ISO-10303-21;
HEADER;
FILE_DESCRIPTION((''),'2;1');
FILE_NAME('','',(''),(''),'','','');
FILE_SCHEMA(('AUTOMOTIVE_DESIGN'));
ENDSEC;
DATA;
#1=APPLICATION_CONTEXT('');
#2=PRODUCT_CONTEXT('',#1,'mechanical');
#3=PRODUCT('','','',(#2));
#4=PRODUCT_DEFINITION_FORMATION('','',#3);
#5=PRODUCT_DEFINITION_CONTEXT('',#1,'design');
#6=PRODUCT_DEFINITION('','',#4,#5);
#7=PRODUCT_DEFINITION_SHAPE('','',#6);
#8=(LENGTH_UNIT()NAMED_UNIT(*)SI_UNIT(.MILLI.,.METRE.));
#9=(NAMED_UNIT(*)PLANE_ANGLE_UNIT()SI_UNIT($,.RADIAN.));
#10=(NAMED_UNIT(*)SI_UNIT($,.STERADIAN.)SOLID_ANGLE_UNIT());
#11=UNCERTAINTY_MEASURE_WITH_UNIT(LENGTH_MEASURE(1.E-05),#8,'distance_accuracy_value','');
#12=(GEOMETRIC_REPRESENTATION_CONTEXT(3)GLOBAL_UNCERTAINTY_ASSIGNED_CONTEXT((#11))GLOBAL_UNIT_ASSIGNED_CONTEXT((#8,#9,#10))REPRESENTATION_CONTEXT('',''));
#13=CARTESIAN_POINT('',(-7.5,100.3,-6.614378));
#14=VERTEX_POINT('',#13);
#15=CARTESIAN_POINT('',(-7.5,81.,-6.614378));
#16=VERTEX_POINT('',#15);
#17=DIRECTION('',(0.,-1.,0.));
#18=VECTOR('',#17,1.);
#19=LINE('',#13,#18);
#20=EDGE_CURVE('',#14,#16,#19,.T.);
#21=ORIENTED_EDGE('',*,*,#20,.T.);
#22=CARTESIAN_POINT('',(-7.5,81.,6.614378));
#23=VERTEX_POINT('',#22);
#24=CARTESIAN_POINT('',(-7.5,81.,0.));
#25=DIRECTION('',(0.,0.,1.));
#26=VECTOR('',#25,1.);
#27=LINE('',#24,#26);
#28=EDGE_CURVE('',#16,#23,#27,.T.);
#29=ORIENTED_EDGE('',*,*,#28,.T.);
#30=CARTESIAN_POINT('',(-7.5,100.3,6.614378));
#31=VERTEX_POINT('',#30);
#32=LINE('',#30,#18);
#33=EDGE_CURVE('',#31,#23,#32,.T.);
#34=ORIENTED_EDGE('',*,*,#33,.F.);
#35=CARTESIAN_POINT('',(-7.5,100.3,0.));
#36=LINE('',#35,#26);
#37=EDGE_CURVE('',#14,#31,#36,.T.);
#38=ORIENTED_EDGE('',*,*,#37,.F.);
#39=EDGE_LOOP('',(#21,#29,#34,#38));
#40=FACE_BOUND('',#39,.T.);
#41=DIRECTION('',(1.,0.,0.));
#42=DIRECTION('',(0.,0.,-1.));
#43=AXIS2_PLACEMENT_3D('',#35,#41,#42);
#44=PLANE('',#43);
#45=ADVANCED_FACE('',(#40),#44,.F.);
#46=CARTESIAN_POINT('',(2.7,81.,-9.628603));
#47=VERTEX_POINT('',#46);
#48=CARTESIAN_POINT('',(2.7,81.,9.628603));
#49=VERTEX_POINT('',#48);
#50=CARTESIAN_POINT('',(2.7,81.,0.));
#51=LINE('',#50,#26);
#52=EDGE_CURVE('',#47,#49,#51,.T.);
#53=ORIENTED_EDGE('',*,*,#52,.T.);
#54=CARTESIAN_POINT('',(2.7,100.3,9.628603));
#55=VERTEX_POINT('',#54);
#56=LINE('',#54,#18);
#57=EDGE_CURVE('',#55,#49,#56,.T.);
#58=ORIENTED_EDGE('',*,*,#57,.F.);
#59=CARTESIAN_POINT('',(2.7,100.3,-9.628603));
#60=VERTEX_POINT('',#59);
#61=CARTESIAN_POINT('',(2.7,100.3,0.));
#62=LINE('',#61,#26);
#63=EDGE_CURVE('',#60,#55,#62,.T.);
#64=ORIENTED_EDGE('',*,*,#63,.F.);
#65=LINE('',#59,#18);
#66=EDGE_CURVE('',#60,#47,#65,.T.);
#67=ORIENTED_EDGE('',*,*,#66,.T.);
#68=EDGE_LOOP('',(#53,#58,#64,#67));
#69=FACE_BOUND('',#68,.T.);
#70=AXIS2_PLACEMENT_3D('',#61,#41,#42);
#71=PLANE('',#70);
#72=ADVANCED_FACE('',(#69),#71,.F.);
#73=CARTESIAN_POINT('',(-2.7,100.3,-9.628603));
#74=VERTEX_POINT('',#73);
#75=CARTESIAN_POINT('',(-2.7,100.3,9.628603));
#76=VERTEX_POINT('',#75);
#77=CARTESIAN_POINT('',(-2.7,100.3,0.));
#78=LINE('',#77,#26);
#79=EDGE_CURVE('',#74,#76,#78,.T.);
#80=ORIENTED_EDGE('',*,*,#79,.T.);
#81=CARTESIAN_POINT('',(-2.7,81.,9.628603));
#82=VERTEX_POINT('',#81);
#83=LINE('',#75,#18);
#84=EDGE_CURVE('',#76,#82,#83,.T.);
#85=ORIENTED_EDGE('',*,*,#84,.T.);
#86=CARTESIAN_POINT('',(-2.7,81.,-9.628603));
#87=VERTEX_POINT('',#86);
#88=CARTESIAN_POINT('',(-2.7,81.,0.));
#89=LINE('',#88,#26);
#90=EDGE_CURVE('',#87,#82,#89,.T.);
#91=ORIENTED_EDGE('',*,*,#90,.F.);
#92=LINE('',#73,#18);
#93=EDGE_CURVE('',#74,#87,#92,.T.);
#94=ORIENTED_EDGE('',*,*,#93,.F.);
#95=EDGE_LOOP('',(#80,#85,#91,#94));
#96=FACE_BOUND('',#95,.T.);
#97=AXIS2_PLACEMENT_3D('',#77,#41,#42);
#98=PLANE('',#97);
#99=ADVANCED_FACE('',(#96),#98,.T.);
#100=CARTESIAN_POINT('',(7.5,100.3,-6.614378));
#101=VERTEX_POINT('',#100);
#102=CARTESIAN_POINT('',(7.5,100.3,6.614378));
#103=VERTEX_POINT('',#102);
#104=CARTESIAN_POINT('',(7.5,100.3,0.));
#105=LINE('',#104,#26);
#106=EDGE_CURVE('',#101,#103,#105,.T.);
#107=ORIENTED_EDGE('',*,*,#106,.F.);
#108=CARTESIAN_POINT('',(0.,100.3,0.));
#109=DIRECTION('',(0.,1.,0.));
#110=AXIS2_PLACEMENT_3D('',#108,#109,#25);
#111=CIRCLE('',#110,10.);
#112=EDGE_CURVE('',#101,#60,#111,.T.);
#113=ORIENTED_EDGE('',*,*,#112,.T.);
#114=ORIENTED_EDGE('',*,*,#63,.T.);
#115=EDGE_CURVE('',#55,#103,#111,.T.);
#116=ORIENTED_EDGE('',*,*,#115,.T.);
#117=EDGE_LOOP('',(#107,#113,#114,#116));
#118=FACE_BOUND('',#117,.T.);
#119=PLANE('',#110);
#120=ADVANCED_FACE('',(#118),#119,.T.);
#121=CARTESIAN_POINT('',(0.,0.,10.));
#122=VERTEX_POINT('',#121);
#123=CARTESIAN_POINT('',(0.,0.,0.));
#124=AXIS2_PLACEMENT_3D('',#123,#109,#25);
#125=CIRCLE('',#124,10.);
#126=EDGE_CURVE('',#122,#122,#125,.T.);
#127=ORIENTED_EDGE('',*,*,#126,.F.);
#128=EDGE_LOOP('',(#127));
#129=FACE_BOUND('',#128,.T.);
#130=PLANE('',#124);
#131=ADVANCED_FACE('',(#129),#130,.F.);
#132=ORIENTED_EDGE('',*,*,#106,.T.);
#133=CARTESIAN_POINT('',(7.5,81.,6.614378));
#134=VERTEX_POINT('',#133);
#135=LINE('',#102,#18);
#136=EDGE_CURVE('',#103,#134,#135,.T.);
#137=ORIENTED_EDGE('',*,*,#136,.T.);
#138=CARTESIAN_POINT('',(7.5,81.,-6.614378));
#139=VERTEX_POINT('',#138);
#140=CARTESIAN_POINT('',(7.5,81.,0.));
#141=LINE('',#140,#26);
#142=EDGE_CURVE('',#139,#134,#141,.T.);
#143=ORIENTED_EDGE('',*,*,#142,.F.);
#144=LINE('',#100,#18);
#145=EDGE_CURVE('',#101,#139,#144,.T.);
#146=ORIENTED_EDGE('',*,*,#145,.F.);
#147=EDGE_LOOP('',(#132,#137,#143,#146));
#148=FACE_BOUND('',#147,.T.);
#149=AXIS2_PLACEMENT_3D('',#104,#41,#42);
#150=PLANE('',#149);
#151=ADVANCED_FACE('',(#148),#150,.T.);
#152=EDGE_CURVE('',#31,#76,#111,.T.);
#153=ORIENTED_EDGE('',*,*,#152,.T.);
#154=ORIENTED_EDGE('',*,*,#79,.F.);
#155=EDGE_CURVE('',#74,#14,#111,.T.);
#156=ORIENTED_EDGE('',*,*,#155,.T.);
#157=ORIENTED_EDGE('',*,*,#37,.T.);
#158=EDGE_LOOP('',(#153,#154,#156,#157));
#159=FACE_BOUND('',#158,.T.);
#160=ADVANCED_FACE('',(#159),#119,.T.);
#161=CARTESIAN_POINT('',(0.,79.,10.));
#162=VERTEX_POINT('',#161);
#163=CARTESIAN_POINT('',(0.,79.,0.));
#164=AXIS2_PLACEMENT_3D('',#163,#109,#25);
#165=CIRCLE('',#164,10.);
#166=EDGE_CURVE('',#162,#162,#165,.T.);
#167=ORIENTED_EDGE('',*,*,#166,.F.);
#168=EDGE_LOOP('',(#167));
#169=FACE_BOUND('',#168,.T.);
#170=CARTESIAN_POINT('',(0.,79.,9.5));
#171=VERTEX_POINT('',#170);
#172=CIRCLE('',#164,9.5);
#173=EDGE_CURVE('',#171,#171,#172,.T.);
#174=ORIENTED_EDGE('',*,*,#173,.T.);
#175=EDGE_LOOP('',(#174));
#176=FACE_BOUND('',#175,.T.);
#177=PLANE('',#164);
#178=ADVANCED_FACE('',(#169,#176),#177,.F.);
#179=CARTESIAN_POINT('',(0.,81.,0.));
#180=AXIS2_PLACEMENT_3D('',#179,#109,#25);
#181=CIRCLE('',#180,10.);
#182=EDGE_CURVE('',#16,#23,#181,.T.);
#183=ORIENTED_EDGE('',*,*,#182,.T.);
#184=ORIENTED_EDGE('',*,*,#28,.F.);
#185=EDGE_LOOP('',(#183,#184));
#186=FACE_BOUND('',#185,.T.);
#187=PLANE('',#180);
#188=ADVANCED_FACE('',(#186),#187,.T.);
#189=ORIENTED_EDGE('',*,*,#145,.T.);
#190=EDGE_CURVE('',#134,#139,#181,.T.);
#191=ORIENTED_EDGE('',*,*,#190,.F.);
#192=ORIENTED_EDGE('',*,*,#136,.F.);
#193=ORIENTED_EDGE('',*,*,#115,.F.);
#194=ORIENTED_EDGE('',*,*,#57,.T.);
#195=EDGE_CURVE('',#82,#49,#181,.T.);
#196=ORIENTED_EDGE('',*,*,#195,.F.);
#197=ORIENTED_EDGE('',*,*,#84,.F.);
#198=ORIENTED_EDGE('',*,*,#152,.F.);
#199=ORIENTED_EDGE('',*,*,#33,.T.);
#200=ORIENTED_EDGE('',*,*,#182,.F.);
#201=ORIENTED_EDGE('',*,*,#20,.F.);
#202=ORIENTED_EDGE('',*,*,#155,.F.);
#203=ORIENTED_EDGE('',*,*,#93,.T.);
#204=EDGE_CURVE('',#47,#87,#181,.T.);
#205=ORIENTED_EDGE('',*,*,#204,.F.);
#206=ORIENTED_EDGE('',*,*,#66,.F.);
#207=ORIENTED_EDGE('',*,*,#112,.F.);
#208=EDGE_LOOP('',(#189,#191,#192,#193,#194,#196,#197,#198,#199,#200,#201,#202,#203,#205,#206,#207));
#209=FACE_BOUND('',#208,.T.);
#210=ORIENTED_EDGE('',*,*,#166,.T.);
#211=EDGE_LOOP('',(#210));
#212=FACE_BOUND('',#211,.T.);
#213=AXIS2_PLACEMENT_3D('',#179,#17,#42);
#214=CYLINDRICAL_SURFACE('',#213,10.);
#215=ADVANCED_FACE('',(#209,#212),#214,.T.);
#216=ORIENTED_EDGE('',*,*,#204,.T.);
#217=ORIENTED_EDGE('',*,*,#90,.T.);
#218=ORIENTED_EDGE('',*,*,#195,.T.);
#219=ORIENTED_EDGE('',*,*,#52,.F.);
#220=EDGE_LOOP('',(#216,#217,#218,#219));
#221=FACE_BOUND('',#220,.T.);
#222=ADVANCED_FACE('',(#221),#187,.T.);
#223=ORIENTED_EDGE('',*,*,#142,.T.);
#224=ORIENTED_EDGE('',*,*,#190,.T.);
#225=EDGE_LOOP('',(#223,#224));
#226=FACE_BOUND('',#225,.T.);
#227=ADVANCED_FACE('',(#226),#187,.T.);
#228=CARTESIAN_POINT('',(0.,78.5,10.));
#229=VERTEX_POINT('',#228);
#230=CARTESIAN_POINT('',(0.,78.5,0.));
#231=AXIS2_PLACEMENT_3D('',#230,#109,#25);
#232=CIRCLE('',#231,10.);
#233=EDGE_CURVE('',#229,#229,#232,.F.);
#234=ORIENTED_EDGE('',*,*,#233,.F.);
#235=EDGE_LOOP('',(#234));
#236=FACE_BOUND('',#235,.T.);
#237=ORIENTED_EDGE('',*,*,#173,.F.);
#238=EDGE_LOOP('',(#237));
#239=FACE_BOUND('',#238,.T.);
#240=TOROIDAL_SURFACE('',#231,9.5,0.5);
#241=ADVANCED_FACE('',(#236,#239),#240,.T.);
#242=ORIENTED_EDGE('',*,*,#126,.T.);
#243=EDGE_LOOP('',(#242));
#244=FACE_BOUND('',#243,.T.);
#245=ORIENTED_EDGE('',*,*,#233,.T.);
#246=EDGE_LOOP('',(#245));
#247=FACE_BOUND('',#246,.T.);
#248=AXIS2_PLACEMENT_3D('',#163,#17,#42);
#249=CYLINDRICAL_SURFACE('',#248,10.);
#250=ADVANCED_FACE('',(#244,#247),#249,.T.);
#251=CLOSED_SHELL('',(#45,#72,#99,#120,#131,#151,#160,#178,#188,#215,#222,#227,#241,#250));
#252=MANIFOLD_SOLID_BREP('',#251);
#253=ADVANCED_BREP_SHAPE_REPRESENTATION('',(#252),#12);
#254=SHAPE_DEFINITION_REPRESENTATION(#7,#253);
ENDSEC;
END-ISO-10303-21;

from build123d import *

# Parameters (mm, degrees)
SKETCH1_R           = 10
BOSS_EXTRUDE1_DEPTH = 79
FILLET1_R           = 0.5
SKETCH2_R           = 10
BOSS_EXTRUDE2_DEPTH = 2
BOSS_EXTRUDE3_DEPTH = 19.3


with BuildPart() as part:
    # Sketch1 → Boss-Extrude1 (new body)
    with BuildSketch(Plane(origin=(0, 0, 0), x_dir=(1, 0, 0), z_dir=(0, 1, 0))):
        with Locations(Location((0, 0, 0), (0, 0, 270))):
            Circle(SKETCH1_R)
    extrude(amount=BOSS_EXTRUDE1_DEPTH)

    # Fillet1
    fillet1_edges = [part.edges().sort_by_distance(p)[0] for p in [
        (0, 79, -10),
    ]]
    fillet(fillet1_edges, radius=FILLET1_R)

    # Sketch2 → Boss-Extrude2 (add)
    with BuildSketch(Plane(origin=(0, 79, 0), x_dir=(1, 0, 0), z_dir=(0, 1, 0))):
        with Locations(Location((0, 0, 0), (0, 0, 270))):
            Circle(SKETCH2_R)
    extrude(amount=BOSS_EXTRUDE2_DEPTH)

    # Sketch3 → Boss-Extrude3 (add)
    with BuildSketch(Plane(origin=(0, 81, 0), x_dir=(1, 0, 0), z_dir=(0, 1, 0))):
        with BuildLine():
            ThreePointArc((-2.7, 9.628603222), (-5.318024822, 8.468684195), (-7.5, 6.614378278))
            Line((-7.5, 6.614378278), (-7.5, -6.614378278))
            ThreePointArc((-7.5, -6.614378278), (-5.318024822, -8.468684195), (-2.7, -9.628603222))
            Line((-2.7, -9.628603222), (-2.7, 9.628603222))
        make_face()
        with BuildLine():
            ThreePointArc((7.5, 6.614378278), (5.318024822, 8.468684195), (2.7, 9.628603222))
            Line((2.7, 9.628603222), (2.7, -9.628603222))
            ThreePointArc((2.7, -9.628603222), (5.318024822, -8.468684195), (7.5, -6.614378278))
            Line((7.5, -6.614378278), (7.5, 6.614378278))
        make_face()
    extrude(amount=BOSS_EXTRUDE3_DEPTH)


solid = part.part
